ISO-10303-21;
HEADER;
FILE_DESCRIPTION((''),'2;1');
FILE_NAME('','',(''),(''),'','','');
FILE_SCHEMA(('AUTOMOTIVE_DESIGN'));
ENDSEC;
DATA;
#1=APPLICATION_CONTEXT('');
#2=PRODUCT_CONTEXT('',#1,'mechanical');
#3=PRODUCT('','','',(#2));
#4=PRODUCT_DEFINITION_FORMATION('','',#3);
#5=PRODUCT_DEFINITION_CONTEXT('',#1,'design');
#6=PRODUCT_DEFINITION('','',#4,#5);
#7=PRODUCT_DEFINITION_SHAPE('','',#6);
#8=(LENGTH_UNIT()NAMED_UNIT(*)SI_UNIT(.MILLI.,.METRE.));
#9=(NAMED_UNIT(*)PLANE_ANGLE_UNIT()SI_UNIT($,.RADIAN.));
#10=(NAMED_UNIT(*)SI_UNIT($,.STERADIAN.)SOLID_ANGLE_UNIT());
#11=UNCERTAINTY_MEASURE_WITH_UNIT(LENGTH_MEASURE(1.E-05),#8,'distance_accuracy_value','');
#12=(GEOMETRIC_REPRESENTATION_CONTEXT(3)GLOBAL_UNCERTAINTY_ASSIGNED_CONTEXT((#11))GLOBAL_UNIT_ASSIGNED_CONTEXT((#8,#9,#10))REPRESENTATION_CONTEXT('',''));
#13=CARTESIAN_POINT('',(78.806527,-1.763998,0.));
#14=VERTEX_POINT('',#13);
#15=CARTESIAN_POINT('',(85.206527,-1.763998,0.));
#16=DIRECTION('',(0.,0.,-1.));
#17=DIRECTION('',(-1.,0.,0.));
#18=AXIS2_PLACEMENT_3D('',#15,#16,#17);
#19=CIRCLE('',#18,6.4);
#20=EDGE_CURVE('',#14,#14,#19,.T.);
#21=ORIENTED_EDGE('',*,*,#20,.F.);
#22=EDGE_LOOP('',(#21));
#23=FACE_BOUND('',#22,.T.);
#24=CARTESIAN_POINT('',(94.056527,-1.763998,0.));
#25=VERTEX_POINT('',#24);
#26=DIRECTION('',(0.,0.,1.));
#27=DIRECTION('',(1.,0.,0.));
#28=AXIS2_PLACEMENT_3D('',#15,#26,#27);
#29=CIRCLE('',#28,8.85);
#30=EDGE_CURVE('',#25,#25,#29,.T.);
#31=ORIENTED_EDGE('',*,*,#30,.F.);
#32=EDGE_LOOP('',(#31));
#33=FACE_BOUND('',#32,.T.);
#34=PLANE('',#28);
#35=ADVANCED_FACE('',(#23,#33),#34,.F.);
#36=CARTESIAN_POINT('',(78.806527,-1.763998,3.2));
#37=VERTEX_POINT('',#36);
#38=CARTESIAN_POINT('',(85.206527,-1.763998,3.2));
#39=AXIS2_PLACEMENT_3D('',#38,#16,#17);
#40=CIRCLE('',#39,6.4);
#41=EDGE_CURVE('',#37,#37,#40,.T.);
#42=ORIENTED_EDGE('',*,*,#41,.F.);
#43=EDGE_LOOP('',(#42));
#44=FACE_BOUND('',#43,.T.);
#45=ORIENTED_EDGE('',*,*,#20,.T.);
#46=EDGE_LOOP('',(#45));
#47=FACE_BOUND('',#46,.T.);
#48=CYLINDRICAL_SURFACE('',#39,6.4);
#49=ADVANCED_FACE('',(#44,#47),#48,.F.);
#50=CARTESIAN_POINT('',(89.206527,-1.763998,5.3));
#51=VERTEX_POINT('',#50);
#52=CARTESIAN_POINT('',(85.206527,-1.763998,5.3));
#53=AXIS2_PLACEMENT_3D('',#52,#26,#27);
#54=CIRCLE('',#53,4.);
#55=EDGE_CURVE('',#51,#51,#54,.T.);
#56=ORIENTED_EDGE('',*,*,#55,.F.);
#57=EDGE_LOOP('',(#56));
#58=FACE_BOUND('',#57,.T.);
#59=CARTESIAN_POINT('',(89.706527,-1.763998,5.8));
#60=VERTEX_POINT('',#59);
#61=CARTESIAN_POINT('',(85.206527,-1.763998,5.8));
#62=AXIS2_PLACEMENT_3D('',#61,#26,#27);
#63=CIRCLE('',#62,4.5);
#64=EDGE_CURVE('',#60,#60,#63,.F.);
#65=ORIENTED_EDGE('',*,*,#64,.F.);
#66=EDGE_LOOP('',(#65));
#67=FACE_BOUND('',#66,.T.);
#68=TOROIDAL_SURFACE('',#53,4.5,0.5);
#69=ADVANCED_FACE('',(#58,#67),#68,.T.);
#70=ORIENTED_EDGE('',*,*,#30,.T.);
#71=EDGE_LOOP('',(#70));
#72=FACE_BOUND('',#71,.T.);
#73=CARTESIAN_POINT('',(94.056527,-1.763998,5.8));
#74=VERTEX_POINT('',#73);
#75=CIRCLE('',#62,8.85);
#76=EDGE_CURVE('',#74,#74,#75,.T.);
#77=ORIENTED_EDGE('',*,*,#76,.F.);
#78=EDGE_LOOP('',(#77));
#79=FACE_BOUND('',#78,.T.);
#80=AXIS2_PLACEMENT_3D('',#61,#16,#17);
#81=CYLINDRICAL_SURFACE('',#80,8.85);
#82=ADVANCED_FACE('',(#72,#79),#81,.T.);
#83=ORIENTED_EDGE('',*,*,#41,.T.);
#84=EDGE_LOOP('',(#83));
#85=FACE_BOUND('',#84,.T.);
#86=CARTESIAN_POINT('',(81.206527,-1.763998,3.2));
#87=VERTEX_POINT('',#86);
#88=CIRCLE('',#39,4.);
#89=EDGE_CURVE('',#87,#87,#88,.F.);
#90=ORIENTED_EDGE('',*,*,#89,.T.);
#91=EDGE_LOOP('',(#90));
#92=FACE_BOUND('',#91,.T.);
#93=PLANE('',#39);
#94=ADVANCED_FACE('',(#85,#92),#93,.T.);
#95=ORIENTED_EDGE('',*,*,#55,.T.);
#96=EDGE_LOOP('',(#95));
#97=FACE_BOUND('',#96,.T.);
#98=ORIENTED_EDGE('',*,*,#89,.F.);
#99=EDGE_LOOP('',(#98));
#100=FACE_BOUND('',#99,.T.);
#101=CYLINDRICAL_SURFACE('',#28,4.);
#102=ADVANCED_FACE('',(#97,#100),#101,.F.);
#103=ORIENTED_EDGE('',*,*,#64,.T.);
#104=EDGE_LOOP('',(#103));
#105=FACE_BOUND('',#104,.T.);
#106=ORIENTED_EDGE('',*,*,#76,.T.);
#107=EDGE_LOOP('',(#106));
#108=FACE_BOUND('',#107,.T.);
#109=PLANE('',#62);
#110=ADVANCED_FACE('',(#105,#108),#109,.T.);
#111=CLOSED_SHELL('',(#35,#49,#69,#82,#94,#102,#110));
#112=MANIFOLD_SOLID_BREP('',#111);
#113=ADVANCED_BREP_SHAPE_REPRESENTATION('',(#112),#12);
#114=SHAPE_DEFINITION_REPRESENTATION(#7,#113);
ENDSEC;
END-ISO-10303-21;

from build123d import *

# Parameters (mm, degrees)
SKETCH1_R           = 8.85
BOSS_EXTRUDE1_DEPTH = 5.8
SKETCH2_R           = 4
CUT_EXTRUDE1_DEPTH  = 95.83104607
SKETCH3_R           = 6.4
CUT_EXTRUDE2_DEPTH  = 3.2
FILLET1_R           = 0.5


with BuildPart() as part:
    # Sketch1 → Boss-Extrude1 (new body)
    with BuildSketch(Plane.XY):
        with Locations((85.206527413, -1.763997815)):
            Circle(SKETCH1_R)
    extrude(amount=BOSS_EXTRUDE1_DEPTH)

    # Sketch2 → Cut-Extrude1 (cut, through all)
    with BuildSketch(Plane.XY.offset(5.8)):
        with Locations((85.206527413, -1.763997815)):
            Circle(SKETCH2_R)
    extrude(amount=-CUT_EXTRUDE1_DEPTH, mode=Mode.SUBTRACT)

    # Sketch3 → Cut-Extrude2 (cut)
    with BuildSketch(Plane(origin=(0, 0, 0), x_dir=(-1, 0, 0), z_dir=(0, 0, -1))):
        with Locations((-85.206527413, -1.763997815)):
            Circle(SKETCH3_R)
    extrude(amount=-CUT_EXTRUDE2_DEPTH, mode=Mode.SUBTRACT)

    # Fillet1
    fillet1_edges = [part.edges().sort_by_distance(p)[0] for p in [
        (81.206527413, -1.763997815, 5.8),
    ]]
    fillet(fillet1_edges, radius=FILLET1_R)


solid = part.part
